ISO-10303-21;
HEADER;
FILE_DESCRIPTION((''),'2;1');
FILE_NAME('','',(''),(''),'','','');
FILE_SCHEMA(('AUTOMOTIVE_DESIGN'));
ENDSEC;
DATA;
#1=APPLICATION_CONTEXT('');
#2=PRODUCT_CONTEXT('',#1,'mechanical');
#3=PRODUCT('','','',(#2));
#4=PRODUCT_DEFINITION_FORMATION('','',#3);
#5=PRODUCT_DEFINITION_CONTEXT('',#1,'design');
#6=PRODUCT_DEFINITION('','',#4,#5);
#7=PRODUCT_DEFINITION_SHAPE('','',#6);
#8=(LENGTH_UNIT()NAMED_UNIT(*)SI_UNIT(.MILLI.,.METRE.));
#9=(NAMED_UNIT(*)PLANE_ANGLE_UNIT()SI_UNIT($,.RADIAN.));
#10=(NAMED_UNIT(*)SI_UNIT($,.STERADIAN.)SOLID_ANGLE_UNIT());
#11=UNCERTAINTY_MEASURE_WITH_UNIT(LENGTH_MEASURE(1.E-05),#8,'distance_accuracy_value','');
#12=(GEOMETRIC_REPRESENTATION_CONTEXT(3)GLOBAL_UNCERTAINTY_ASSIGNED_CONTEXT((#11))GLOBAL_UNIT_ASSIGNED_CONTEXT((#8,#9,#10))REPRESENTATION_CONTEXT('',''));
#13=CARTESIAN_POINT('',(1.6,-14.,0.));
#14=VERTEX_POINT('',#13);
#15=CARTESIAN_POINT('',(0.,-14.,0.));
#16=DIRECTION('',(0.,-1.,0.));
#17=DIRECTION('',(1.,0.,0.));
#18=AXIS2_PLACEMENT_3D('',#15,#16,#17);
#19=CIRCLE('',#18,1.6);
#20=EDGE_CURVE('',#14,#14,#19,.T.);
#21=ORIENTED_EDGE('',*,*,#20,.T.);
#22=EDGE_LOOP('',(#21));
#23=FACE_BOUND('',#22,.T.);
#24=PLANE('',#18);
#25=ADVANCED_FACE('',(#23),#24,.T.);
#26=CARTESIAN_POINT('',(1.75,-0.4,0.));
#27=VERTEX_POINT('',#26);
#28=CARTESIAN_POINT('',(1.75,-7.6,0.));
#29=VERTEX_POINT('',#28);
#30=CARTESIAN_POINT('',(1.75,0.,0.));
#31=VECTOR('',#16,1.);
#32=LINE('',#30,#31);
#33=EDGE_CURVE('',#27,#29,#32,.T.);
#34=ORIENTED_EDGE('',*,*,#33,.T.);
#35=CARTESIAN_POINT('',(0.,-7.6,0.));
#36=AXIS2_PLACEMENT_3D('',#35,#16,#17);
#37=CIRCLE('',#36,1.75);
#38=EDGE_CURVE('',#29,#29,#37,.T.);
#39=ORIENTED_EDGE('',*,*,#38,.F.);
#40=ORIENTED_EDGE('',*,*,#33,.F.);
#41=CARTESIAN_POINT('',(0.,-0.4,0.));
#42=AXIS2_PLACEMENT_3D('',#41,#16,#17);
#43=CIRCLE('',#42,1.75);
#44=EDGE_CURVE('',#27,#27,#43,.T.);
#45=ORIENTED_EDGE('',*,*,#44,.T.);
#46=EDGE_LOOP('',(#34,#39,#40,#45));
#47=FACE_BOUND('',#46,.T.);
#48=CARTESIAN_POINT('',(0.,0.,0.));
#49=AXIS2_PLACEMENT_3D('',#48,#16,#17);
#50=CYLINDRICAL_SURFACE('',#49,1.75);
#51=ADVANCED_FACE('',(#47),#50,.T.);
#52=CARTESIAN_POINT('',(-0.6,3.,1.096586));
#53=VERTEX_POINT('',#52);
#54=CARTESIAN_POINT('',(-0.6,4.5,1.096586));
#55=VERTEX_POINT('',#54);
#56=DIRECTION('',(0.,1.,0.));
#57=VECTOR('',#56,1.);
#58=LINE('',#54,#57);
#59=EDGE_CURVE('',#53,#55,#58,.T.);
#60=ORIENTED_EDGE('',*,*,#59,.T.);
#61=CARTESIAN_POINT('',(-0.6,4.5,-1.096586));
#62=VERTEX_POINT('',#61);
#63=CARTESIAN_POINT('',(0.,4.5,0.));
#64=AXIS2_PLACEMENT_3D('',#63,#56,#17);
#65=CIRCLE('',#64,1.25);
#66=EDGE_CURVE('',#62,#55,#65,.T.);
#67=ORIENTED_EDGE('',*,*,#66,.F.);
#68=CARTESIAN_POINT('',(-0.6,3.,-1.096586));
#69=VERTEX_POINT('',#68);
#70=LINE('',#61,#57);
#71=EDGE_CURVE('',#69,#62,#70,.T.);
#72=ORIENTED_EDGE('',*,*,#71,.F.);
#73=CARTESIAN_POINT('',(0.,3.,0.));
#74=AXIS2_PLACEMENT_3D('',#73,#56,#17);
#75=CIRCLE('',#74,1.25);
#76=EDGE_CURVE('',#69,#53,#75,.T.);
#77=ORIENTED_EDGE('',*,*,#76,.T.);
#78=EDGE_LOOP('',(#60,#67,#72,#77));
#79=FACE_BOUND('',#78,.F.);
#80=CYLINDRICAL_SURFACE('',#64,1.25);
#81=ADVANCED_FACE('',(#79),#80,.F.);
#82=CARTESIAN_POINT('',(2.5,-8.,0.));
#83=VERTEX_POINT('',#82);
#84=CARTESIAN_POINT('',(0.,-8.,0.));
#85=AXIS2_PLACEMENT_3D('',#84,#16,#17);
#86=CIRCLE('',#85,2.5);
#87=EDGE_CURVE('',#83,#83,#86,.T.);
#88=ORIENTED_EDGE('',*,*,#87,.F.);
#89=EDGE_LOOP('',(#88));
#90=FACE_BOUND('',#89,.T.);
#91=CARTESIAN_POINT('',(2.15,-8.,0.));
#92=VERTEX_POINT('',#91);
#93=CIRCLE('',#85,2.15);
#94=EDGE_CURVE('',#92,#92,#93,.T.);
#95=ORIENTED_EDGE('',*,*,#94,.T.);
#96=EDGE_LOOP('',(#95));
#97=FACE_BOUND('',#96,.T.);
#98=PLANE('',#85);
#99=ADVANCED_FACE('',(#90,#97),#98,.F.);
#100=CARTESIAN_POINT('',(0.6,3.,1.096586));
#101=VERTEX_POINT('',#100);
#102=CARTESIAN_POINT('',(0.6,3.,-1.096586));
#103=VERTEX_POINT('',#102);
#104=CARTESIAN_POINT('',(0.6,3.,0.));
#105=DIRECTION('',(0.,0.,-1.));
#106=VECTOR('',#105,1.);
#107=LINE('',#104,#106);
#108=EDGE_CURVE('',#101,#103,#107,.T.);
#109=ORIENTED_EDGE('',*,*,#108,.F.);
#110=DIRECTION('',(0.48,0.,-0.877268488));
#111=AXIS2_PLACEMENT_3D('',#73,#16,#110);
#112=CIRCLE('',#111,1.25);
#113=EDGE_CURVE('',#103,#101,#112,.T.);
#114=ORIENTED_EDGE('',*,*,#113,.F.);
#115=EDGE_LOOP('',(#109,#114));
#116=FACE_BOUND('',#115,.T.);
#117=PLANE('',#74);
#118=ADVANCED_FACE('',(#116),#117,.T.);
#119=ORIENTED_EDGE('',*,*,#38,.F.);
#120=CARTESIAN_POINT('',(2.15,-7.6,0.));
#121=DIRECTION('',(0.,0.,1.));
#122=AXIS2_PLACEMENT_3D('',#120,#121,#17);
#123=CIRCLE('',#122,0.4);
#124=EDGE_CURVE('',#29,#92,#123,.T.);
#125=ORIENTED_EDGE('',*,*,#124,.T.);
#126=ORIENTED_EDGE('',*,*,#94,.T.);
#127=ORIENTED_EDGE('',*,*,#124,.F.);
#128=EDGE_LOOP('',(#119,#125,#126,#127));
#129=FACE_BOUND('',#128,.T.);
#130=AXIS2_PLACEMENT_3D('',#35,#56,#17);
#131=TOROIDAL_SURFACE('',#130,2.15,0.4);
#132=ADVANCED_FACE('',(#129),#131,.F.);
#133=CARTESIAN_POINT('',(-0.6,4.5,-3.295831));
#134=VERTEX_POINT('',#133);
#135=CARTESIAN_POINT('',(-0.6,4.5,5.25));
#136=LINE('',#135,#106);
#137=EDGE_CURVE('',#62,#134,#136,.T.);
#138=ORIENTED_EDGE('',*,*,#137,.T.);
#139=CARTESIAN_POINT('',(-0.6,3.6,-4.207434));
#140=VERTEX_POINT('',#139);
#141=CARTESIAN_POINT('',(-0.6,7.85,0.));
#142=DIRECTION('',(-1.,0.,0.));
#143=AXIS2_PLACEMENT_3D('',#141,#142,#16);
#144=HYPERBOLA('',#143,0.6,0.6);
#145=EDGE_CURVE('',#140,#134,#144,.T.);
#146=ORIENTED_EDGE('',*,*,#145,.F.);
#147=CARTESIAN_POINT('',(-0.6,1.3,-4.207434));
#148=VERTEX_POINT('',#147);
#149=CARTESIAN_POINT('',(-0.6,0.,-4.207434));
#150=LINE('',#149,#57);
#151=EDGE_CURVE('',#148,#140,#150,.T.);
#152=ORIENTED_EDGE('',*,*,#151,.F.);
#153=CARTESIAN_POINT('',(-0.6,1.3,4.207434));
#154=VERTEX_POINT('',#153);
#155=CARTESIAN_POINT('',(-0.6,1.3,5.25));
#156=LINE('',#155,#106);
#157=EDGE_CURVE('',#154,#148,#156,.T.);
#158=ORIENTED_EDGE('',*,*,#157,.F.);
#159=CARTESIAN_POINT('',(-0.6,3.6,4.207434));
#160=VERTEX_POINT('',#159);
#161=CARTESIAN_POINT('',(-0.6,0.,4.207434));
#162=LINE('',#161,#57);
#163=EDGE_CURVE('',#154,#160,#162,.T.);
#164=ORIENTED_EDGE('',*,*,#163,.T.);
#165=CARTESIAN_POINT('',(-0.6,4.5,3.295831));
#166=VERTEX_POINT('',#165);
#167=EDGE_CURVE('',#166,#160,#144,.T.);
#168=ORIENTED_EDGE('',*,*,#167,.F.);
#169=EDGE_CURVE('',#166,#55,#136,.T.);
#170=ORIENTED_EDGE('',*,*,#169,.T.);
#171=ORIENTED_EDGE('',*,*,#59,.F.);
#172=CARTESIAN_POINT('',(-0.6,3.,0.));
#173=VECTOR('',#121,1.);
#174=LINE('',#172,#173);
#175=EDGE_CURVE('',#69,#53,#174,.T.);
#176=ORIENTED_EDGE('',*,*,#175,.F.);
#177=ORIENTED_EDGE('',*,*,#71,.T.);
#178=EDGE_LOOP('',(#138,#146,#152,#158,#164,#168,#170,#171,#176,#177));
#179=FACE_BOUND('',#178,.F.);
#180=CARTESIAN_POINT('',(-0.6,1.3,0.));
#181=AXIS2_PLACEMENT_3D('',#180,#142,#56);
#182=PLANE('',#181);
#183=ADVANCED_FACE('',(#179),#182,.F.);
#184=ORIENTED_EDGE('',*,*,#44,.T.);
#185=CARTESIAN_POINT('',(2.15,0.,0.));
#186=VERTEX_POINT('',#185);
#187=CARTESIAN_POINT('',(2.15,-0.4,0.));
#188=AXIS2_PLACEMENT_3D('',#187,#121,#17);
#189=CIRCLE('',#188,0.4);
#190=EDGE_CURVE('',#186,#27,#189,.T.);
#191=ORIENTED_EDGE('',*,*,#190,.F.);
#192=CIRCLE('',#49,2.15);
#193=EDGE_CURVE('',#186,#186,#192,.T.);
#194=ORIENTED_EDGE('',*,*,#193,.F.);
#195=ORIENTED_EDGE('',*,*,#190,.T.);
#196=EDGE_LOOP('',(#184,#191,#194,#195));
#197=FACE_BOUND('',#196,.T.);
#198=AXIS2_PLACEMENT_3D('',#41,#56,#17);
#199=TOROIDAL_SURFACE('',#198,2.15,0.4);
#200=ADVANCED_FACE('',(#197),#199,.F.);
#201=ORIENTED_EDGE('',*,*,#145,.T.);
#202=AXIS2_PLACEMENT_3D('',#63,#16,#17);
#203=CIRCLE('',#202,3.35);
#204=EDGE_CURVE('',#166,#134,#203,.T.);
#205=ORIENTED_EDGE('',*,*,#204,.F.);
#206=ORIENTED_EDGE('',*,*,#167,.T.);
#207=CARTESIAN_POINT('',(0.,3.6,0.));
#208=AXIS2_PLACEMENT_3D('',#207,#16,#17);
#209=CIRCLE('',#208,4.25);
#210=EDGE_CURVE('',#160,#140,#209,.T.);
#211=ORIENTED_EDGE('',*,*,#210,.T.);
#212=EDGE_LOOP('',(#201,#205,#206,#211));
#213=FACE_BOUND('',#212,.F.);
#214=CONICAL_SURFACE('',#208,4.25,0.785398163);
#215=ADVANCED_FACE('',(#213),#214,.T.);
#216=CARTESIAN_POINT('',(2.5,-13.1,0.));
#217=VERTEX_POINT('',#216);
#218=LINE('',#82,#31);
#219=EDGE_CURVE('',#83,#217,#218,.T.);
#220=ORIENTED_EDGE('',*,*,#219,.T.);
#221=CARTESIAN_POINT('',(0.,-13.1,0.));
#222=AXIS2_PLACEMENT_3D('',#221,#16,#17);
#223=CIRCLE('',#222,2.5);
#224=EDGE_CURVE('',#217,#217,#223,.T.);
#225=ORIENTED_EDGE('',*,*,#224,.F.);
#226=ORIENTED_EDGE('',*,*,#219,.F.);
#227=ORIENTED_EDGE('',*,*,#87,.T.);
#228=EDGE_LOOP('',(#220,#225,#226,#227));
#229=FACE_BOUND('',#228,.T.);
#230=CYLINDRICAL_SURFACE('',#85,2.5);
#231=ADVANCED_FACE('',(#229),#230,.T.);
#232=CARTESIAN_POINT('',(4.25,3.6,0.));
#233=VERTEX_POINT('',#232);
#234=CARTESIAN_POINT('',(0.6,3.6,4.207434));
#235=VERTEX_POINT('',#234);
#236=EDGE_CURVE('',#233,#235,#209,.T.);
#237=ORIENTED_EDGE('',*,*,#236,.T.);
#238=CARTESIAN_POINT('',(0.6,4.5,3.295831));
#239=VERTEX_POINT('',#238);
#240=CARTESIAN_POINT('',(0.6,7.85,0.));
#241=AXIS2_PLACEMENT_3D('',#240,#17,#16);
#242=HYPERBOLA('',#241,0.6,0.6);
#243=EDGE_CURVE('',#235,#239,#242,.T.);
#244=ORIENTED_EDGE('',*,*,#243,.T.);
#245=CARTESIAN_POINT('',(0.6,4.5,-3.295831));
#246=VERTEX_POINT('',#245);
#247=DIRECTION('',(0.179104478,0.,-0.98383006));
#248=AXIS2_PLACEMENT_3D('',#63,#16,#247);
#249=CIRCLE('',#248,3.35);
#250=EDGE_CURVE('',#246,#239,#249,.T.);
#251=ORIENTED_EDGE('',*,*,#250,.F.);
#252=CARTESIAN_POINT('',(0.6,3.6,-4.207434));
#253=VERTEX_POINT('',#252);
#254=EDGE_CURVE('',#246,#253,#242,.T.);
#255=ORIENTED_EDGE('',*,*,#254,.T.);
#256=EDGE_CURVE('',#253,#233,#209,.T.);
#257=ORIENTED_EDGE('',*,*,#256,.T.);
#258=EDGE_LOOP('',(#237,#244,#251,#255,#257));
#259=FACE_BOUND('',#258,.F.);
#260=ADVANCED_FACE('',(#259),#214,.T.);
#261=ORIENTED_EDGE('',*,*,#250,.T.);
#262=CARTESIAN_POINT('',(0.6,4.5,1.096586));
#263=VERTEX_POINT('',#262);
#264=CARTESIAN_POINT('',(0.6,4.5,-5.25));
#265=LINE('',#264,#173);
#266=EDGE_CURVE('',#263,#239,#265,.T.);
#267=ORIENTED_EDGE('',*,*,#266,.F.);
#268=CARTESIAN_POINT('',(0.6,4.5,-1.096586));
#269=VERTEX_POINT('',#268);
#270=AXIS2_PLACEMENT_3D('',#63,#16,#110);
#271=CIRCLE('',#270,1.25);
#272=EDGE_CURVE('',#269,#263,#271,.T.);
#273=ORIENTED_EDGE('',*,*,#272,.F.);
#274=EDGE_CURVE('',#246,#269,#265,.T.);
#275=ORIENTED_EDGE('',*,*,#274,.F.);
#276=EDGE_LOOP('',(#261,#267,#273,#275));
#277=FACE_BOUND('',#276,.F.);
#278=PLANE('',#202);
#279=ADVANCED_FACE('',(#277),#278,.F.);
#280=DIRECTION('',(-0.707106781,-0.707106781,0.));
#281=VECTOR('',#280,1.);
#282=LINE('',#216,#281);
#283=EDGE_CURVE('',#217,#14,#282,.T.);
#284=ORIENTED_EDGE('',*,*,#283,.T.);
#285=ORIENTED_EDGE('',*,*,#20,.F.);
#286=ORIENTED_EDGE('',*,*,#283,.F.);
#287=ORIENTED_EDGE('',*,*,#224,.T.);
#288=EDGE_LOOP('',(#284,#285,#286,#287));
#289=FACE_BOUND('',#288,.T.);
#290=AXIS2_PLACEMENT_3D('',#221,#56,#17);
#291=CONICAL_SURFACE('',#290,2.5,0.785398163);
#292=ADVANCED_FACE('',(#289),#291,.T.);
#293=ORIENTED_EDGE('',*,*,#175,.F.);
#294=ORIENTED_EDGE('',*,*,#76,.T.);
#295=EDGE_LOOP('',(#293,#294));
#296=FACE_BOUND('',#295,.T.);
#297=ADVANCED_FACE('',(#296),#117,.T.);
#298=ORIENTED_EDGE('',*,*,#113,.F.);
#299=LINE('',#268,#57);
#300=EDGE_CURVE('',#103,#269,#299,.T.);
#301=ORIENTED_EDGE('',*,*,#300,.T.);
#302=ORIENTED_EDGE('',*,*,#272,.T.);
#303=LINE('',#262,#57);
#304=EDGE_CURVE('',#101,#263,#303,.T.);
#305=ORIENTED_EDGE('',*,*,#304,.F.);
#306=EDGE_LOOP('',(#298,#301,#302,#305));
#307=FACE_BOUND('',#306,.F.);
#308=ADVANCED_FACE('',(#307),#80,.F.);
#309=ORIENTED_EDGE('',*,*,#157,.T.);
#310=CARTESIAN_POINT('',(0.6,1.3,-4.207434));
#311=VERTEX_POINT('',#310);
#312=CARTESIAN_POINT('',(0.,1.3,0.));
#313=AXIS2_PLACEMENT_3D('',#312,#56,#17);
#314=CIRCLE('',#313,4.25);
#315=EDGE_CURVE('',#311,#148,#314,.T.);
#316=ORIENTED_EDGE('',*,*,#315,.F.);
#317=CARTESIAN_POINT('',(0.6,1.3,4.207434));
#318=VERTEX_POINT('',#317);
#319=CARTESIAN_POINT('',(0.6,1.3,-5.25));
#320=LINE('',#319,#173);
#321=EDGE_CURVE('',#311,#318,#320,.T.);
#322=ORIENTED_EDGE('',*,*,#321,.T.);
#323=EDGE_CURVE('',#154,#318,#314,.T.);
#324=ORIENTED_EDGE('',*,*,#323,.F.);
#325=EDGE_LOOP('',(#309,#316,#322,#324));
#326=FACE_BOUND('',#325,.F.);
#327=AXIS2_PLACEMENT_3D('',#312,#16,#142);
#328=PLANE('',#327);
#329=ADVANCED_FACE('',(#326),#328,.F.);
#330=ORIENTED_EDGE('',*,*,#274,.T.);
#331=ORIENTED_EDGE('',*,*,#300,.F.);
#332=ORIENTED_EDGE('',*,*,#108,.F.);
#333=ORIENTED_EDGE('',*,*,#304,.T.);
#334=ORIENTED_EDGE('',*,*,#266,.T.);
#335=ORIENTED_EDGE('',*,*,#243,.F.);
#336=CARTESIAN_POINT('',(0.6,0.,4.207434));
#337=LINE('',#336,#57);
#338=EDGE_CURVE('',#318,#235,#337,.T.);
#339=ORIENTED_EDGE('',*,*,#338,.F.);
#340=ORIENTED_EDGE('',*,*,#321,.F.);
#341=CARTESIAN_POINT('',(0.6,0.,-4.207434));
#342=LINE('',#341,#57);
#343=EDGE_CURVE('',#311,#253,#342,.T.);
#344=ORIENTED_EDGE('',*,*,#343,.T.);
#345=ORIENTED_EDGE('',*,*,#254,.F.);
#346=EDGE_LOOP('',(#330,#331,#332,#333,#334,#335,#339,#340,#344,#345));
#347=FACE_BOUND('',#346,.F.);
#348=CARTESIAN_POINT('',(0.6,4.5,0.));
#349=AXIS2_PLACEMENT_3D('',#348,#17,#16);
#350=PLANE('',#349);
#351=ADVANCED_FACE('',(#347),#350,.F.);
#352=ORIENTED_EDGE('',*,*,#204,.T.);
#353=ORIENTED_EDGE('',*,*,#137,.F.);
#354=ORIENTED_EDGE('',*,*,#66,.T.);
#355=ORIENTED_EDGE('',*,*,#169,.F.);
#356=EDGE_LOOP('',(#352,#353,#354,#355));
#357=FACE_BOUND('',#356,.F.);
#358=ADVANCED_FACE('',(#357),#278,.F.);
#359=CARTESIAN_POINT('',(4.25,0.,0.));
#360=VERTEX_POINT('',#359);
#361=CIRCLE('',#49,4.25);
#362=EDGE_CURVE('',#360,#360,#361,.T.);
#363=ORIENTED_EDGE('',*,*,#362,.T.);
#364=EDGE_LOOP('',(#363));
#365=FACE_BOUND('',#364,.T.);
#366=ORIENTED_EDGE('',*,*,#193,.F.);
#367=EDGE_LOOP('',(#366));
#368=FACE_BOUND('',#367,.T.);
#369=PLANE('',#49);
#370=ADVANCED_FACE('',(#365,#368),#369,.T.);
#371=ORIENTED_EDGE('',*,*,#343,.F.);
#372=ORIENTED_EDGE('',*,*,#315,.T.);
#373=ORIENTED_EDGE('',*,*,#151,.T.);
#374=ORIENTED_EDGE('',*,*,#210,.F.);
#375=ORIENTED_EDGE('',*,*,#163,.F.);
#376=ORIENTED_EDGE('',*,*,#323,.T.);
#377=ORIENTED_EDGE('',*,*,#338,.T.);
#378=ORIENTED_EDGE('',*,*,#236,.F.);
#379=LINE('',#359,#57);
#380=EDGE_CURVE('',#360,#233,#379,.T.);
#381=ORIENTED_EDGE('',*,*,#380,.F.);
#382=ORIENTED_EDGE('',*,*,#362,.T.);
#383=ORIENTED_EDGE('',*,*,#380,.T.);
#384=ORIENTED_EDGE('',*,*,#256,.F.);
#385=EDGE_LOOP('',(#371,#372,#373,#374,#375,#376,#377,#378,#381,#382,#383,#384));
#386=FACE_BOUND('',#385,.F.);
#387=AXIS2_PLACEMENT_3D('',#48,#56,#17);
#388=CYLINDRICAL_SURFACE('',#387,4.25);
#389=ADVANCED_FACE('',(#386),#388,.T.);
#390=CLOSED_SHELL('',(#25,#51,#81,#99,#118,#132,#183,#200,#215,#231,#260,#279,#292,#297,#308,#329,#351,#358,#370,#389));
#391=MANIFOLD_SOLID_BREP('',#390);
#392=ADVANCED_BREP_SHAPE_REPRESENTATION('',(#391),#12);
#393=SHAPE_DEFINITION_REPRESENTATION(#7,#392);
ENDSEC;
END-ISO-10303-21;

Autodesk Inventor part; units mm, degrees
ref_plane "YZ Plane" through (0, 0, 0) normal (1, 0, 0) x (0, 1, 0)
ref_plane "XZ Plane" through (0, 0, 0) normal (0, 1, 0) x (-1, 0, 0)
ref_plane "XY Plane" through (0, 0, 0) normal (0, 0, 1) x (1, 0, 0)
sketch "Sketch1" plane through (0, 0, 0) normal (0, 0, 1) x (1, 0, 0)
  line L0 (4.25, 0) -> (4.25, 4.5)
  line L1 (4.25, 4.5) -> (0, 4.5)
  line L2 (4.25, 0) -> (1.75, 0)
  line L3 (1.75, 0) -> (1.75, -8)
  line L4 (1.75, -8) -> (2.5, -8)
  line L5 (2.5, -8) -> (2.5, -14)
  line L6 (2.5, -14) -> (0, -14)
  line L7 (0, 4.5) -> (0, -14)
  point P0 (0, 0)
  dimension "d0" = 8.5
  dimension "d2" = 3.5
  dimension "d3" = 5
  dimension "d4" = 4.5
  dimension "d5" = 6
  dimension "d6" = 14
revolve "Вращение1" add sketch "Sketch1" angle 360 about axis through (0, 4.5, 0) along (0, -1, 0)
sketch "Sketch2" plane through (0, 4.5, 0) normal (0, 1, 0) x (1, 0, 0)
  circle A0 centre (0, 0) radius 4.25 construction
  circle A1 centre (0, 0) radius 1.25
  dimension "d31" = 2.5
extrude "Выдавливание1" cut sketch "Sketch2" against normal blind 1.5
chamfer "Фаска1" distance 0.9 angle 45 1 edges at (-4.25, 4.5, 0)
sketch "Sketch3" plane through (0, 0, 0) normal (0, 0, 1) x (1, 0, 0)
  line L0 (0, 0) -> (0, 4.5)
  line L1 (-2.3552, 0) -> (2.3552, 0) construction
  line L2 (-4.25, 4.5) -> (4.25, 4.5) construction
  line L3 (-0.6, 4.5) -> (0.6, 4.5)
  line L4 (0.6, 4.5) -> (0.6, 1.3)
  line L5 (0.6, 1.3) -> (-0.6, 1.3)
  line L6 (-0.6, 1.3) -> (-0.6, 4.5)
  dimension "d8" = 1.3
  dimension "d9" = 1.2
extrude "Выдавливание2" cut sketch "Sketch3" along normal through all both and the other way through all
fillet "Сопряжение1" radius 0.4 2 edges at (-1.75, 0, 0) (-1.75, -8, 0)
thread "Резьба1" size "M5x0.8" class "6g" standard "ISO Metric profile" length 6
chamfer "Фаска2" distance 0.9 angle 45 1 edges at (-2.5, -14, 0)
equation "\"d31\" = d3_"
equation "\"d32\" = h3"
equation "\"d21\" = C1"
equation "\"d8\" = h2"
equation "\"d9\" = n"
equation "\"d12\" = R"
equation "\"d13\" = b"
equation "\"d15\" = C1"
equation "\"d0\" = D"
equation "\"d2\" = d1"
equation "\"d3\" = d_"
equation "\"d4\" = k1"
equation "\"d5\" = b"
equation "\"d6\" = l_"
equation "\"D\" = 8.5"
equation "\"d_\" = 5"
equation "\"l_\" = 14"
equation "\"b\" = 6"
equation "\"d1\" = 3.5"
equation "\"R\" = 0.4"
equation "\"C1\" = 0.9"
equation "\"h2\" = 1.3"
equation "\"n\" = 1.2"
equation "\"h3\" = 1.5"
equation "\"k1\" = 4.5"
equation "\"d3_\" = 2.5"
equation "\"G\" = l_ - b"
properties part number "Винт 3 M5-6gx14 ГОСТ 10336-80" material "Сталь, мягкая"
